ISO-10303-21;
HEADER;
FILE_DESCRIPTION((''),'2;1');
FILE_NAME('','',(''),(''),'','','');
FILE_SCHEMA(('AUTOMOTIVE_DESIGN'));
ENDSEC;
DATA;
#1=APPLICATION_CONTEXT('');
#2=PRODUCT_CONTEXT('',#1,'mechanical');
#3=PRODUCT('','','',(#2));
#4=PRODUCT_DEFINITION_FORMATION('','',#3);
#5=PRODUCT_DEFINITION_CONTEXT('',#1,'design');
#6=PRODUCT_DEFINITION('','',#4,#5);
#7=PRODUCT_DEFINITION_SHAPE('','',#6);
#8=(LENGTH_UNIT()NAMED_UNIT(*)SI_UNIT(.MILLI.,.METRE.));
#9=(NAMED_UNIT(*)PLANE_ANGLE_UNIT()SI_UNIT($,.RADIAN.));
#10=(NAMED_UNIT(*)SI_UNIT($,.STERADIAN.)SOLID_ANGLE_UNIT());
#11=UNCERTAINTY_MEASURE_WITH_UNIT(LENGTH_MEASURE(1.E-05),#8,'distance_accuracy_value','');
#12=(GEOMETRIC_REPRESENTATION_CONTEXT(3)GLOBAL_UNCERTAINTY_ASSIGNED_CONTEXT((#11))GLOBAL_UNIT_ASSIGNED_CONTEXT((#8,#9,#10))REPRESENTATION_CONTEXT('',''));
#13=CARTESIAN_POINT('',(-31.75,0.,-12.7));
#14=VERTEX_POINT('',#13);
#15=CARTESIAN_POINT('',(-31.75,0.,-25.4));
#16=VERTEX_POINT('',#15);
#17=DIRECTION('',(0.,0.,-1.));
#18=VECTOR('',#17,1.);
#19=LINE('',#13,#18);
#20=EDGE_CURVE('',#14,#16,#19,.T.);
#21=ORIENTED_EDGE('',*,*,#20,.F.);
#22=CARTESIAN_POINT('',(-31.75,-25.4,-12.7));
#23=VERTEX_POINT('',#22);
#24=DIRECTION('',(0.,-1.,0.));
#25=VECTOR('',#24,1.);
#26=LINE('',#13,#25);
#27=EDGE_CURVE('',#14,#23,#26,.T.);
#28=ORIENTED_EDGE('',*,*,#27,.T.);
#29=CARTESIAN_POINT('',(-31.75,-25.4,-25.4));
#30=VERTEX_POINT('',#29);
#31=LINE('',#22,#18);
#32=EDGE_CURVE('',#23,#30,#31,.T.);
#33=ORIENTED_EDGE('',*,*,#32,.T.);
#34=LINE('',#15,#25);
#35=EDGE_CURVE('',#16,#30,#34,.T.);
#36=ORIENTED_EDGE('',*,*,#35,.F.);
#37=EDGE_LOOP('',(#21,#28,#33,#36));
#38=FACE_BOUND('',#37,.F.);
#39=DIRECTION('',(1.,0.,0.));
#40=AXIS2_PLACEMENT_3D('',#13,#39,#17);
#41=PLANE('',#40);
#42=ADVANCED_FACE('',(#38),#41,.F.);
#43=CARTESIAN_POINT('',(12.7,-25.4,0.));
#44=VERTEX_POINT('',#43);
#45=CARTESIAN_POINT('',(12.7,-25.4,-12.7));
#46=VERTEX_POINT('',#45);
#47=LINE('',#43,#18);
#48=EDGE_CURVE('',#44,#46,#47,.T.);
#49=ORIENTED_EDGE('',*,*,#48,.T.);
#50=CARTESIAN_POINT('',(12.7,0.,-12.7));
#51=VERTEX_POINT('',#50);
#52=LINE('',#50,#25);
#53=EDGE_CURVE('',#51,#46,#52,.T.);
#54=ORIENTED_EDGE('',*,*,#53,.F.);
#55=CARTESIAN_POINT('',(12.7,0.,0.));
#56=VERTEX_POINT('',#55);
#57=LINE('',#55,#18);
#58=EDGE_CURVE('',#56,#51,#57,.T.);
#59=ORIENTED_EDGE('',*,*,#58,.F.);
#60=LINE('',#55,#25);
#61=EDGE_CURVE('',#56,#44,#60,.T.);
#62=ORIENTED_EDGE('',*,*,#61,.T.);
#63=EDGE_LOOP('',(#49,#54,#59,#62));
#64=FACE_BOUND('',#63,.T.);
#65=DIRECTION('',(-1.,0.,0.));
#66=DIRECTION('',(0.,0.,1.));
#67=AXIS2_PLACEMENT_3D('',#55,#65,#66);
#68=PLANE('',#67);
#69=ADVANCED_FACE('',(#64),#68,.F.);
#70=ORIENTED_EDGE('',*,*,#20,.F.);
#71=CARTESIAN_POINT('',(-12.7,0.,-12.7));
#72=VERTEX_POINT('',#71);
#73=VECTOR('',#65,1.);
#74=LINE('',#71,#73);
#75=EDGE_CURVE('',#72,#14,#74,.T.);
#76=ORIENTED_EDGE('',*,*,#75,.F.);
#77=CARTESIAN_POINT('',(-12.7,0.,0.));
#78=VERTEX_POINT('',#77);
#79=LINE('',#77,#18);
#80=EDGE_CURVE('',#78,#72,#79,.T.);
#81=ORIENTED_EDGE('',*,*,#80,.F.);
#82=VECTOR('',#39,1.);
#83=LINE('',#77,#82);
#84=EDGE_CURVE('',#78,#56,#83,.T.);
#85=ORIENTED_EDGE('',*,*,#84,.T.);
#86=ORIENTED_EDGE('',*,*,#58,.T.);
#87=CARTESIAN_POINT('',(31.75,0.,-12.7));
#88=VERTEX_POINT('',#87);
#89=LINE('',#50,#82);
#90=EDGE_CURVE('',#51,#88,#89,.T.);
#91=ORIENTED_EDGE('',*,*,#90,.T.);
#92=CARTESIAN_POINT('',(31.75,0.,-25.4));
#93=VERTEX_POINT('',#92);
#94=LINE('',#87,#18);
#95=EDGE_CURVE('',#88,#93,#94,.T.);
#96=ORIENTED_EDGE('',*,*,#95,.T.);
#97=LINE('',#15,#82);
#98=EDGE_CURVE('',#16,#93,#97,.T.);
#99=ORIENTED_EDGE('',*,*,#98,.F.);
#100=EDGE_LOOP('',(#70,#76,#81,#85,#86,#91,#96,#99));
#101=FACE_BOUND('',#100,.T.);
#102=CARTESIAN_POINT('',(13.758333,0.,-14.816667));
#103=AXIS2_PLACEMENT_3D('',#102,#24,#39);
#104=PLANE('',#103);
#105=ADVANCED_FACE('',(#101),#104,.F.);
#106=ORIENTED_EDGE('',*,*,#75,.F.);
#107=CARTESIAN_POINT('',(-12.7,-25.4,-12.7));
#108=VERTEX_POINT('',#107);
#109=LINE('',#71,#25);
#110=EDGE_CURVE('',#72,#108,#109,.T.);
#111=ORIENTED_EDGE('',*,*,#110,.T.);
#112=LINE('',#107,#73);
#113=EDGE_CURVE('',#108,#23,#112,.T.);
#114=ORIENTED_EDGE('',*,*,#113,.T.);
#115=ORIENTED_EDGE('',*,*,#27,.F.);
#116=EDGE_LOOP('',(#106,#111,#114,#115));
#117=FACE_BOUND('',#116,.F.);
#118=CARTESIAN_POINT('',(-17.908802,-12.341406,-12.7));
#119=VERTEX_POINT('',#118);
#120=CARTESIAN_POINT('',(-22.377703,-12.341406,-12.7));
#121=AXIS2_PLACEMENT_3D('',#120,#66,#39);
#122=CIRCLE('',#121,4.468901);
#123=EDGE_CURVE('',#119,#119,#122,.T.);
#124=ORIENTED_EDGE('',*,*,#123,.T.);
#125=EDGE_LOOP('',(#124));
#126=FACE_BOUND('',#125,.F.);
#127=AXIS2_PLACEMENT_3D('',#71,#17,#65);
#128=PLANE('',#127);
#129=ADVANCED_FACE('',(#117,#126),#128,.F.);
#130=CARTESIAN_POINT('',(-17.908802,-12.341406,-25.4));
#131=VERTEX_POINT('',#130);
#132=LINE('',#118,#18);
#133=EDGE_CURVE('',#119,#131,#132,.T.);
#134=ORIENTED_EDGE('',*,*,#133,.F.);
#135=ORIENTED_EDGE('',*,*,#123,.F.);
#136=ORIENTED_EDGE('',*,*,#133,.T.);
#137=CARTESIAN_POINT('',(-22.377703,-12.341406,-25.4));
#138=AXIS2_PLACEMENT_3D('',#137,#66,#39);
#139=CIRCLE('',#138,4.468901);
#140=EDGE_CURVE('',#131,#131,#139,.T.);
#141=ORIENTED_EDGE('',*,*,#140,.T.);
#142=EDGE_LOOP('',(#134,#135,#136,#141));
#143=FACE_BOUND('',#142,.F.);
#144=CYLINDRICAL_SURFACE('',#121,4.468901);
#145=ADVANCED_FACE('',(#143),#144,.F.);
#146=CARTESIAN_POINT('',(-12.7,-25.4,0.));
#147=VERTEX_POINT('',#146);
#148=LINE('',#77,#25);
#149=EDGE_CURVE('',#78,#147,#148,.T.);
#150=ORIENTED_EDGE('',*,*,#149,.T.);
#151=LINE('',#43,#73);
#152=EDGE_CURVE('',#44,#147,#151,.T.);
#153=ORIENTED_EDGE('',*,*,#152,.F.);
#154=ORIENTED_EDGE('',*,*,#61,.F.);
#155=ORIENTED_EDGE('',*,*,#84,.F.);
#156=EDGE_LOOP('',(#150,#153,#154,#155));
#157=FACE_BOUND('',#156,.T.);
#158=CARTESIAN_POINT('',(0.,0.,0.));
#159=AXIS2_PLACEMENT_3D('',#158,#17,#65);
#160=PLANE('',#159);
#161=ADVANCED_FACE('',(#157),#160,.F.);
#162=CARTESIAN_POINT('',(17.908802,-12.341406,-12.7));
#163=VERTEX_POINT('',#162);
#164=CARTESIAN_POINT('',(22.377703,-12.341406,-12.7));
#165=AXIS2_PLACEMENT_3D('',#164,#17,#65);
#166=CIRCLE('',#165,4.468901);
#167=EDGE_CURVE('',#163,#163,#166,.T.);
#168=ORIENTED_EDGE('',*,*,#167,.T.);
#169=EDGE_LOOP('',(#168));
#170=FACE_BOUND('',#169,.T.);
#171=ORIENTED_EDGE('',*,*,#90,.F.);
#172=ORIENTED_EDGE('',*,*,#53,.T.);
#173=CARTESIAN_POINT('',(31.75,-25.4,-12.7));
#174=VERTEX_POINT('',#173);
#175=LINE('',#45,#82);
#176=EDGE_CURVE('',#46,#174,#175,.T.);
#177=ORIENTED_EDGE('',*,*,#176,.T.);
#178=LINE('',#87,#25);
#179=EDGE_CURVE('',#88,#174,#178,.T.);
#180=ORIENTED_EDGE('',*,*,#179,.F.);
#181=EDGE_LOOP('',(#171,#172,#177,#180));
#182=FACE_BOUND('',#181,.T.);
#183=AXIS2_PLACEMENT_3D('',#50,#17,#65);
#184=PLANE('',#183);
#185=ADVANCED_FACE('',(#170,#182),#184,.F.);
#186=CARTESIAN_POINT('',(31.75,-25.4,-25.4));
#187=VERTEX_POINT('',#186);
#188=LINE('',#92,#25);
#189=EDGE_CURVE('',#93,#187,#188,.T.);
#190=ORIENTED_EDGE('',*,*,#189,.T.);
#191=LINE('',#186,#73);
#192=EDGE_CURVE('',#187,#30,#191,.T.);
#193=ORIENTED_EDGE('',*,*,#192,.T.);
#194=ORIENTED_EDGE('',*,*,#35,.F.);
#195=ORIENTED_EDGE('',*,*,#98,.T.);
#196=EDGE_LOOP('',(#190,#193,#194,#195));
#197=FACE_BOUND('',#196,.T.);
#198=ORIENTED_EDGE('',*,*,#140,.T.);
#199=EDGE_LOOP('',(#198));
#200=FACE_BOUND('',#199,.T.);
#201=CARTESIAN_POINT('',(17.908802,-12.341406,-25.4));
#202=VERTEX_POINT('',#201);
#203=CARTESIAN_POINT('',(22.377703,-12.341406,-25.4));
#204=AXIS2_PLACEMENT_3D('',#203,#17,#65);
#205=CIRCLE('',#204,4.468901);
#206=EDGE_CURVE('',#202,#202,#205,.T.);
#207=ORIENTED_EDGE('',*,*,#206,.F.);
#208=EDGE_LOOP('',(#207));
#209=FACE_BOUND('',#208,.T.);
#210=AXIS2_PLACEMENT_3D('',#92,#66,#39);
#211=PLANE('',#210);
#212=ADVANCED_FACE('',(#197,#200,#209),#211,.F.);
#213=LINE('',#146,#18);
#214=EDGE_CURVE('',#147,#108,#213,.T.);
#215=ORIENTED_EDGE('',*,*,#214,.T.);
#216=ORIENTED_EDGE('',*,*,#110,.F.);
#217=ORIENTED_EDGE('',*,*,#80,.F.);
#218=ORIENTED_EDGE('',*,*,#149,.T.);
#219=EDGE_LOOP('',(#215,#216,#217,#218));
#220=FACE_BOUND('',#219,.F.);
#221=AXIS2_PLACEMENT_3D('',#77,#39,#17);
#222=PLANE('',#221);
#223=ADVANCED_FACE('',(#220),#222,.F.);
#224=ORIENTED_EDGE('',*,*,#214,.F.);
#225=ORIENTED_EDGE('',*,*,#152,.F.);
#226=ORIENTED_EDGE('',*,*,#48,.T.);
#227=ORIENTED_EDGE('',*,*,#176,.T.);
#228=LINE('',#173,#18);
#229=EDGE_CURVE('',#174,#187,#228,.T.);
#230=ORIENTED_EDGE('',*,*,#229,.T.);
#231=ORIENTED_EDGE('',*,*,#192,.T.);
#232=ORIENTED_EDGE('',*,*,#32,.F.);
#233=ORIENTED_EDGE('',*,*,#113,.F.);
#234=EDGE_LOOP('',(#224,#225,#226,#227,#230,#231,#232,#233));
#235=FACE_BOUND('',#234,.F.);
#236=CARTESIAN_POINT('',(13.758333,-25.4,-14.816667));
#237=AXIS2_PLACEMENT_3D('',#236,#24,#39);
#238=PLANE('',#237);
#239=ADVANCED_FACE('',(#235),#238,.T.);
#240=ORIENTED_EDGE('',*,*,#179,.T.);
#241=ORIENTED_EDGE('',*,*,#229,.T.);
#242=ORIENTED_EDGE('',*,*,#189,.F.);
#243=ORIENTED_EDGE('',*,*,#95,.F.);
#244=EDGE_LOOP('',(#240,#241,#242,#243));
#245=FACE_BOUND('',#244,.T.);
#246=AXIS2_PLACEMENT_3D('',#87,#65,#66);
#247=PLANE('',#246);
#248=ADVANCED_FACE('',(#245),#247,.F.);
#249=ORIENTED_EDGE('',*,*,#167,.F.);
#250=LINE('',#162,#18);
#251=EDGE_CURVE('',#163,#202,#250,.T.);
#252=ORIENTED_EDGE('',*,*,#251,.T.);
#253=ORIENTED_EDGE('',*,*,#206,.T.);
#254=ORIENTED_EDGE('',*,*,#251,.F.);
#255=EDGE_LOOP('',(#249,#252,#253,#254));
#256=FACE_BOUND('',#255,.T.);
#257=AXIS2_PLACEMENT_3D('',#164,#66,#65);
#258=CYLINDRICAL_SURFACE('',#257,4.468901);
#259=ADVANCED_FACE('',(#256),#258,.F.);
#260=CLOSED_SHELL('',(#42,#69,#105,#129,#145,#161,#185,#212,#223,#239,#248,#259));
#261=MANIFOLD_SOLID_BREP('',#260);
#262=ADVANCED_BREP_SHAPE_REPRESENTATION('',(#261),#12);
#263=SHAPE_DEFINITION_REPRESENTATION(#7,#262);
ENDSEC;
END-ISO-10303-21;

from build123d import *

# Parameters (mm, degrees)
F1_DEPTH = 25.4
F2_R     = 4.468901
F3_DEPTH = 25.4


with BuildPart() as f1:
    # F0 (on Front) → F1 (new body)
    with BuildSketch(Plane.XZ):
        Polygon((0, -25.4), (0, 0), (-12.7, 0), (-12.7, -12.7), (-31.75, -12.7), (-31.75, -25.4), align=None)
    extrude(amount=F1_DEPTH)

    # F2 (on face) → F3 (cut)
    with BuildSketch(Plane.XY.offset(-12.7)):
        with Locations((-22.377703, -12.341406)):
            Circle(F2_R)
    extrude(amount=-F3_DEPTH, mode=Mode.SUBTRACT)

    # F4: F1 across plane


with BuildPart() as f1_1:
    add(f1.part)
    add(f1.part.mirror(Plane.YZ))


solid = f1_1.part
